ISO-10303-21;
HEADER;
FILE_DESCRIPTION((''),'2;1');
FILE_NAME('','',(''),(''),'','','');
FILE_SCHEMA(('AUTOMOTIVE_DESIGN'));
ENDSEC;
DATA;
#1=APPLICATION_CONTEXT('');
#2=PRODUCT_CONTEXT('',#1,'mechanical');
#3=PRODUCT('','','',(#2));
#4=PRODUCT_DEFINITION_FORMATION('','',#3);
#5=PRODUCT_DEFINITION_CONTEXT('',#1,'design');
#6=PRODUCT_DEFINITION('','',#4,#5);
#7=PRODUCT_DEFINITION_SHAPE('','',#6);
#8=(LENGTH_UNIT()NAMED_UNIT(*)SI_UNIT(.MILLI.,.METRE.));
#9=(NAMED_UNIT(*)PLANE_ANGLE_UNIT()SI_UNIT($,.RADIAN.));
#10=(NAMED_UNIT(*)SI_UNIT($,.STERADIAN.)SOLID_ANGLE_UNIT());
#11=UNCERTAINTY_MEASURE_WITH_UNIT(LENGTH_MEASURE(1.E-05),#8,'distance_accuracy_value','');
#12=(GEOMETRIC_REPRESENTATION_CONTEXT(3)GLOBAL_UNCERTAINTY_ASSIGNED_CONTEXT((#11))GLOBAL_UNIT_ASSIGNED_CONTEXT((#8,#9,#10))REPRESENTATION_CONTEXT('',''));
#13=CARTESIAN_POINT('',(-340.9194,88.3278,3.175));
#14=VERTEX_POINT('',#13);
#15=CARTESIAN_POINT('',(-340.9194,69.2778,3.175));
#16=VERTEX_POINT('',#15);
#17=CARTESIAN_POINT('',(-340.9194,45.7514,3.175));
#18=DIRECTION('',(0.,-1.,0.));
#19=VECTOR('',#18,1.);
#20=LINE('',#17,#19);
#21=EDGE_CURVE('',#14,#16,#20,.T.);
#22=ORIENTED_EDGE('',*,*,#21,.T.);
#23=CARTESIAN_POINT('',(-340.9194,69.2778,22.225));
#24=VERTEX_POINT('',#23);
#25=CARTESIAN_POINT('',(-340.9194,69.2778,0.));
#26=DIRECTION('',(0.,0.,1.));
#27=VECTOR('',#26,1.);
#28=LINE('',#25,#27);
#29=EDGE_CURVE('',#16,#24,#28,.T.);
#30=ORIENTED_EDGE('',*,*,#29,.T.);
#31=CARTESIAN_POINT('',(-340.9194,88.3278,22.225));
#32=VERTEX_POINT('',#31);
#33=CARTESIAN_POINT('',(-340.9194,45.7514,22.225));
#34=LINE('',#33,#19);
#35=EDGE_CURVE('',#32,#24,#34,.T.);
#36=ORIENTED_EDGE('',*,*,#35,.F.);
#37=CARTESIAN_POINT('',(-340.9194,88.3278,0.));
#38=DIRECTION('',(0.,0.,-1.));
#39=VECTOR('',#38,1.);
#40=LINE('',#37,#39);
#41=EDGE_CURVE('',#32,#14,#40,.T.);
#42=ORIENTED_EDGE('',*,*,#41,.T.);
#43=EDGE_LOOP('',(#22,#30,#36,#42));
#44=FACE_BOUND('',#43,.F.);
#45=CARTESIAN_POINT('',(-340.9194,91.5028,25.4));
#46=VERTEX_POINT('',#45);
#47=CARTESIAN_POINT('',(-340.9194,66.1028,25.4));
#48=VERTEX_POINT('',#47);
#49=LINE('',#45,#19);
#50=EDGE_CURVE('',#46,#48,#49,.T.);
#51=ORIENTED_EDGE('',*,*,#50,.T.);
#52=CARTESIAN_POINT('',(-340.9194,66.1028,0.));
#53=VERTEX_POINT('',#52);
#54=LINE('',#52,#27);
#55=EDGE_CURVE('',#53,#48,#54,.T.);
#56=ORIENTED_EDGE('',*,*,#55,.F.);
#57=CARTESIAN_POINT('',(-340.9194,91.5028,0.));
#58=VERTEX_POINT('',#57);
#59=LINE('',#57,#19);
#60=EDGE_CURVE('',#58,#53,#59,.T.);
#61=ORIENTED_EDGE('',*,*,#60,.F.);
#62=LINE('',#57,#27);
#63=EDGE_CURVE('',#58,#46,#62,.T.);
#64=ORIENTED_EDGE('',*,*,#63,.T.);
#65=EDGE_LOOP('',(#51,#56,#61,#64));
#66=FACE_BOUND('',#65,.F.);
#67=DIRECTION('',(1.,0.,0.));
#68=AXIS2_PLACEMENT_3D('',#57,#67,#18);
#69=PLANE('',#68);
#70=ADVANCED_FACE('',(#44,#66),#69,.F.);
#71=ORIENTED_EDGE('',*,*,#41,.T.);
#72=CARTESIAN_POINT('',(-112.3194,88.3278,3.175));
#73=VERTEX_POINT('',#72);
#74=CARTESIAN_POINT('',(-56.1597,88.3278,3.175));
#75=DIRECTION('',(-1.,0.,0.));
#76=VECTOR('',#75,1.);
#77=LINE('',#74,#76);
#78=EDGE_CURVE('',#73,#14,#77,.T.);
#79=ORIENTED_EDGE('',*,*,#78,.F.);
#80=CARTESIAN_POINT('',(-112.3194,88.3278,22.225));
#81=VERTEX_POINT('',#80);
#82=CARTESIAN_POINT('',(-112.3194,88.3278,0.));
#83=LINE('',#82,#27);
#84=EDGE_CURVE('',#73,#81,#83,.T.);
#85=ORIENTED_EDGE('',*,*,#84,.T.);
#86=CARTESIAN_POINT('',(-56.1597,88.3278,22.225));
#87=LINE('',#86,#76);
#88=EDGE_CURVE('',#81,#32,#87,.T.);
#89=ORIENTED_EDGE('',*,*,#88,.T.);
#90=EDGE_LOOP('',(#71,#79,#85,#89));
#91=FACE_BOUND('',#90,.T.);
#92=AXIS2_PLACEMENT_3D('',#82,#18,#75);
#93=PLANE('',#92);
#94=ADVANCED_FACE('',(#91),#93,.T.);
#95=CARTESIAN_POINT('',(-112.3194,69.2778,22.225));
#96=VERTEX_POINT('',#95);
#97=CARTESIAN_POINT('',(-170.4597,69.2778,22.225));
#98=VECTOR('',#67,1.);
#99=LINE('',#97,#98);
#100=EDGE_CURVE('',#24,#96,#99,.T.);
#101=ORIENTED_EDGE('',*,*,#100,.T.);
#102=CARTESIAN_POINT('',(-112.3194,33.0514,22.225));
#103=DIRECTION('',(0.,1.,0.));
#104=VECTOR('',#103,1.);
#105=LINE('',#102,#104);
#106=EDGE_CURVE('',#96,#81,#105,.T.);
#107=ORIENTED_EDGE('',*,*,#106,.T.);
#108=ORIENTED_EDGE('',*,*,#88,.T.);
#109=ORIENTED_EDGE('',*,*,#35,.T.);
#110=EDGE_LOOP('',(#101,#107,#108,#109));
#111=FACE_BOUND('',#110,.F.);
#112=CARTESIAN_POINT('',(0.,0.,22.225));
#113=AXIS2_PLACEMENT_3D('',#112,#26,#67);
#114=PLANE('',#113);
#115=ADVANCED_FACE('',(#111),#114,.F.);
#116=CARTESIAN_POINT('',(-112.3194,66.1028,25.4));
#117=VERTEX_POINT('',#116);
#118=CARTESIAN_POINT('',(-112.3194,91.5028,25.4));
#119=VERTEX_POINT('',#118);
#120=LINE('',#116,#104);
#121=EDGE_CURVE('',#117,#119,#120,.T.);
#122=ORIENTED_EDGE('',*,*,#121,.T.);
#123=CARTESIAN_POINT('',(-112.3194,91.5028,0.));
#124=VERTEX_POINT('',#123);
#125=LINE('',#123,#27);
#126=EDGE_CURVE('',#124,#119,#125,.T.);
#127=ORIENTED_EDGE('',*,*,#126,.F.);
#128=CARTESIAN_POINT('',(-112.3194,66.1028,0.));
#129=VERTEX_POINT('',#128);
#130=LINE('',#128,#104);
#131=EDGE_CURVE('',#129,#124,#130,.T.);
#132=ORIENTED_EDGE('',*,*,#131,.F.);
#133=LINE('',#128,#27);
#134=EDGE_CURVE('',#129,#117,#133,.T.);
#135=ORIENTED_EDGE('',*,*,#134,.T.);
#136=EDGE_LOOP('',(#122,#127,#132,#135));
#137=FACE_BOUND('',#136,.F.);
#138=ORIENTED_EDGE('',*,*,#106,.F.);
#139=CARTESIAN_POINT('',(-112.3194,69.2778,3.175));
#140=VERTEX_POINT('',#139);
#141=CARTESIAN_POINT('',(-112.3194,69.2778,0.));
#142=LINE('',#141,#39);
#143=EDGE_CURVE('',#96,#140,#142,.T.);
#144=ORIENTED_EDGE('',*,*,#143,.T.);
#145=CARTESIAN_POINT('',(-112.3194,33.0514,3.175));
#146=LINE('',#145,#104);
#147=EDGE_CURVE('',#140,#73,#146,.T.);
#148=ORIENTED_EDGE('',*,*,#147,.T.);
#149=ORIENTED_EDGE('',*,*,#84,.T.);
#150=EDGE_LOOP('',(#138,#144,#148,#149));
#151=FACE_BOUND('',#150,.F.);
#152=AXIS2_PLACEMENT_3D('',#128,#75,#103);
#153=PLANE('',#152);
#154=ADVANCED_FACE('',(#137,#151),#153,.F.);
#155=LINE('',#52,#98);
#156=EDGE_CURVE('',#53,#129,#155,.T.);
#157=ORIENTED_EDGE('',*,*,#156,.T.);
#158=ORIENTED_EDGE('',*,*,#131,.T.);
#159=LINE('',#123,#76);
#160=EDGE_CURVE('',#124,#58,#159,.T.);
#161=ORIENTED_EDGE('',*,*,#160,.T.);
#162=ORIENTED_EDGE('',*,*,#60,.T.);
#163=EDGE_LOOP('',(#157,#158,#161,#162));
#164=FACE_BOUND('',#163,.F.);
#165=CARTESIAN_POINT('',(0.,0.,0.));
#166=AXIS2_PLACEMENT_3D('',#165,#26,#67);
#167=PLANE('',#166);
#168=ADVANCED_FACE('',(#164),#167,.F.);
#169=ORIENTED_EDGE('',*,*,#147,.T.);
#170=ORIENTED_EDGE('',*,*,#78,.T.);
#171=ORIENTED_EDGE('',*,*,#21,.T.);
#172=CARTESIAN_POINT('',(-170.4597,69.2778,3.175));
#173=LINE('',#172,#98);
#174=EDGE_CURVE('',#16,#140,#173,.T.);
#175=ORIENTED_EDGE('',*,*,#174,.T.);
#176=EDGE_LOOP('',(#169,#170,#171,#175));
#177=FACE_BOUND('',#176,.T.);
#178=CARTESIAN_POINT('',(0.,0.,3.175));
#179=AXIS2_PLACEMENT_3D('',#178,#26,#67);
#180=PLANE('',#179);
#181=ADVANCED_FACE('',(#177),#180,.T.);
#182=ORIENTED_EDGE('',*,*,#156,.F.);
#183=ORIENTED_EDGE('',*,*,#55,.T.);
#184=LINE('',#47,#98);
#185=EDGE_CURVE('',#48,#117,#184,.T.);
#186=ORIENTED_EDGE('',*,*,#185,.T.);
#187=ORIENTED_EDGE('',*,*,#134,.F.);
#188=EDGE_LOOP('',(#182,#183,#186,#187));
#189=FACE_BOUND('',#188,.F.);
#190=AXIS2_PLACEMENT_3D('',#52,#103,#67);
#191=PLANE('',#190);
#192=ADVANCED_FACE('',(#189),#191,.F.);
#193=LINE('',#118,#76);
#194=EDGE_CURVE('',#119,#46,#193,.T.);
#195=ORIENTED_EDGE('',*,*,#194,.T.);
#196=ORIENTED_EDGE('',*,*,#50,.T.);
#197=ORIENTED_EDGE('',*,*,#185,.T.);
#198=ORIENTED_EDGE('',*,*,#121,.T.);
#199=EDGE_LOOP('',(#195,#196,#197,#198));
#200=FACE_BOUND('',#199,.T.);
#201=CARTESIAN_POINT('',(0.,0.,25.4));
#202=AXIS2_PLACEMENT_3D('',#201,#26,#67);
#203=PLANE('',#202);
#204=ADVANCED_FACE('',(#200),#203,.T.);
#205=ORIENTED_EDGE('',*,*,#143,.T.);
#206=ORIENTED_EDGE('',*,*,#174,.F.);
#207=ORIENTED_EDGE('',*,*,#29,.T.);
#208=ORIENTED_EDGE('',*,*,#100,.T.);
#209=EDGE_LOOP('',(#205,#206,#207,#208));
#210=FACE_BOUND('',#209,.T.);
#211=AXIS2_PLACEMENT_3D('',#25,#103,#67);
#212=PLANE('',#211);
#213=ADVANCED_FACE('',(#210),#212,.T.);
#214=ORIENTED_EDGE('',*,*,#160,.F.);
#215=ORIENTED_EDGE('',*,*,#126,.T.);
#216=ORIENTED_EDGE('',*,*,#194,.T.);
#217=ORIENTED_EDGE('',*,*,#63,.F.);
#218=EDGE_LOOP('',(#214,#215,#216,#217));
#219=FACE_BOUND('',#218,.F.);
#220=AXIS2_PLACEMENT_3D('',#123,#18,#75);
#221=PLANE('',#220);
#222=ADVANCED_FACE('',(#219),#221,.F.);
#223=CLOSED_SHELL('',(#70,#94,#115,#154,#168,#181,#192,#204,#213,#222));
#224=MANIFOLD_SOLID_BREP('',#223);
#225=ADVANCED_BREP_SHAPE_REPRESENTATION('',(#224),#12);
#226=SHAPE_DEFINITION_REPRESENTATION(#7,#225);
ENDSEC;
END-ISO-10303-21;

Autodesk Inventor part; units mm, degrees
ref_plane "YZ Plane" through (0, 0, 0) normal (1, 0, 0) x (0, 1, 0)
ref_plane "XZ Plane" through (0, 0, 0) normal (0, 1, 0) x (-1, 0, 0)
ref_plane "XY Plane" through (0, 0, 0) normal (0, 0, 1) x (1, 0, 0)
sketch "Sketch1" plane through (0, 0, 0) normal (0, 0, 1) x (1, 0, 0)
  line L0 (-112.3194, 91.5028) -> (-340.9194, 91.5028)
  line L1 (-340.9194, 91.5028) -> (-340.9194, 66.1028)
  line L2 (-340.9194, 66.1028) -> (-112.3194, 66.1028)
  line L3 (-112.3194, 66.1028) -> (-112.3194, 91.5028)
  point P0 (0, 0)
  dimension "d0" = 228.6
  dimension "d1" = 25.4
extrude "Extrusion1" add sketch "Sketch1" along normal blind 25.4
shell "Shell1" thickness 3.175 removed faces 2 at (-112.3194, 74.5695, 8.4667) at (-340.9194, 83.0362, 8.4667)
